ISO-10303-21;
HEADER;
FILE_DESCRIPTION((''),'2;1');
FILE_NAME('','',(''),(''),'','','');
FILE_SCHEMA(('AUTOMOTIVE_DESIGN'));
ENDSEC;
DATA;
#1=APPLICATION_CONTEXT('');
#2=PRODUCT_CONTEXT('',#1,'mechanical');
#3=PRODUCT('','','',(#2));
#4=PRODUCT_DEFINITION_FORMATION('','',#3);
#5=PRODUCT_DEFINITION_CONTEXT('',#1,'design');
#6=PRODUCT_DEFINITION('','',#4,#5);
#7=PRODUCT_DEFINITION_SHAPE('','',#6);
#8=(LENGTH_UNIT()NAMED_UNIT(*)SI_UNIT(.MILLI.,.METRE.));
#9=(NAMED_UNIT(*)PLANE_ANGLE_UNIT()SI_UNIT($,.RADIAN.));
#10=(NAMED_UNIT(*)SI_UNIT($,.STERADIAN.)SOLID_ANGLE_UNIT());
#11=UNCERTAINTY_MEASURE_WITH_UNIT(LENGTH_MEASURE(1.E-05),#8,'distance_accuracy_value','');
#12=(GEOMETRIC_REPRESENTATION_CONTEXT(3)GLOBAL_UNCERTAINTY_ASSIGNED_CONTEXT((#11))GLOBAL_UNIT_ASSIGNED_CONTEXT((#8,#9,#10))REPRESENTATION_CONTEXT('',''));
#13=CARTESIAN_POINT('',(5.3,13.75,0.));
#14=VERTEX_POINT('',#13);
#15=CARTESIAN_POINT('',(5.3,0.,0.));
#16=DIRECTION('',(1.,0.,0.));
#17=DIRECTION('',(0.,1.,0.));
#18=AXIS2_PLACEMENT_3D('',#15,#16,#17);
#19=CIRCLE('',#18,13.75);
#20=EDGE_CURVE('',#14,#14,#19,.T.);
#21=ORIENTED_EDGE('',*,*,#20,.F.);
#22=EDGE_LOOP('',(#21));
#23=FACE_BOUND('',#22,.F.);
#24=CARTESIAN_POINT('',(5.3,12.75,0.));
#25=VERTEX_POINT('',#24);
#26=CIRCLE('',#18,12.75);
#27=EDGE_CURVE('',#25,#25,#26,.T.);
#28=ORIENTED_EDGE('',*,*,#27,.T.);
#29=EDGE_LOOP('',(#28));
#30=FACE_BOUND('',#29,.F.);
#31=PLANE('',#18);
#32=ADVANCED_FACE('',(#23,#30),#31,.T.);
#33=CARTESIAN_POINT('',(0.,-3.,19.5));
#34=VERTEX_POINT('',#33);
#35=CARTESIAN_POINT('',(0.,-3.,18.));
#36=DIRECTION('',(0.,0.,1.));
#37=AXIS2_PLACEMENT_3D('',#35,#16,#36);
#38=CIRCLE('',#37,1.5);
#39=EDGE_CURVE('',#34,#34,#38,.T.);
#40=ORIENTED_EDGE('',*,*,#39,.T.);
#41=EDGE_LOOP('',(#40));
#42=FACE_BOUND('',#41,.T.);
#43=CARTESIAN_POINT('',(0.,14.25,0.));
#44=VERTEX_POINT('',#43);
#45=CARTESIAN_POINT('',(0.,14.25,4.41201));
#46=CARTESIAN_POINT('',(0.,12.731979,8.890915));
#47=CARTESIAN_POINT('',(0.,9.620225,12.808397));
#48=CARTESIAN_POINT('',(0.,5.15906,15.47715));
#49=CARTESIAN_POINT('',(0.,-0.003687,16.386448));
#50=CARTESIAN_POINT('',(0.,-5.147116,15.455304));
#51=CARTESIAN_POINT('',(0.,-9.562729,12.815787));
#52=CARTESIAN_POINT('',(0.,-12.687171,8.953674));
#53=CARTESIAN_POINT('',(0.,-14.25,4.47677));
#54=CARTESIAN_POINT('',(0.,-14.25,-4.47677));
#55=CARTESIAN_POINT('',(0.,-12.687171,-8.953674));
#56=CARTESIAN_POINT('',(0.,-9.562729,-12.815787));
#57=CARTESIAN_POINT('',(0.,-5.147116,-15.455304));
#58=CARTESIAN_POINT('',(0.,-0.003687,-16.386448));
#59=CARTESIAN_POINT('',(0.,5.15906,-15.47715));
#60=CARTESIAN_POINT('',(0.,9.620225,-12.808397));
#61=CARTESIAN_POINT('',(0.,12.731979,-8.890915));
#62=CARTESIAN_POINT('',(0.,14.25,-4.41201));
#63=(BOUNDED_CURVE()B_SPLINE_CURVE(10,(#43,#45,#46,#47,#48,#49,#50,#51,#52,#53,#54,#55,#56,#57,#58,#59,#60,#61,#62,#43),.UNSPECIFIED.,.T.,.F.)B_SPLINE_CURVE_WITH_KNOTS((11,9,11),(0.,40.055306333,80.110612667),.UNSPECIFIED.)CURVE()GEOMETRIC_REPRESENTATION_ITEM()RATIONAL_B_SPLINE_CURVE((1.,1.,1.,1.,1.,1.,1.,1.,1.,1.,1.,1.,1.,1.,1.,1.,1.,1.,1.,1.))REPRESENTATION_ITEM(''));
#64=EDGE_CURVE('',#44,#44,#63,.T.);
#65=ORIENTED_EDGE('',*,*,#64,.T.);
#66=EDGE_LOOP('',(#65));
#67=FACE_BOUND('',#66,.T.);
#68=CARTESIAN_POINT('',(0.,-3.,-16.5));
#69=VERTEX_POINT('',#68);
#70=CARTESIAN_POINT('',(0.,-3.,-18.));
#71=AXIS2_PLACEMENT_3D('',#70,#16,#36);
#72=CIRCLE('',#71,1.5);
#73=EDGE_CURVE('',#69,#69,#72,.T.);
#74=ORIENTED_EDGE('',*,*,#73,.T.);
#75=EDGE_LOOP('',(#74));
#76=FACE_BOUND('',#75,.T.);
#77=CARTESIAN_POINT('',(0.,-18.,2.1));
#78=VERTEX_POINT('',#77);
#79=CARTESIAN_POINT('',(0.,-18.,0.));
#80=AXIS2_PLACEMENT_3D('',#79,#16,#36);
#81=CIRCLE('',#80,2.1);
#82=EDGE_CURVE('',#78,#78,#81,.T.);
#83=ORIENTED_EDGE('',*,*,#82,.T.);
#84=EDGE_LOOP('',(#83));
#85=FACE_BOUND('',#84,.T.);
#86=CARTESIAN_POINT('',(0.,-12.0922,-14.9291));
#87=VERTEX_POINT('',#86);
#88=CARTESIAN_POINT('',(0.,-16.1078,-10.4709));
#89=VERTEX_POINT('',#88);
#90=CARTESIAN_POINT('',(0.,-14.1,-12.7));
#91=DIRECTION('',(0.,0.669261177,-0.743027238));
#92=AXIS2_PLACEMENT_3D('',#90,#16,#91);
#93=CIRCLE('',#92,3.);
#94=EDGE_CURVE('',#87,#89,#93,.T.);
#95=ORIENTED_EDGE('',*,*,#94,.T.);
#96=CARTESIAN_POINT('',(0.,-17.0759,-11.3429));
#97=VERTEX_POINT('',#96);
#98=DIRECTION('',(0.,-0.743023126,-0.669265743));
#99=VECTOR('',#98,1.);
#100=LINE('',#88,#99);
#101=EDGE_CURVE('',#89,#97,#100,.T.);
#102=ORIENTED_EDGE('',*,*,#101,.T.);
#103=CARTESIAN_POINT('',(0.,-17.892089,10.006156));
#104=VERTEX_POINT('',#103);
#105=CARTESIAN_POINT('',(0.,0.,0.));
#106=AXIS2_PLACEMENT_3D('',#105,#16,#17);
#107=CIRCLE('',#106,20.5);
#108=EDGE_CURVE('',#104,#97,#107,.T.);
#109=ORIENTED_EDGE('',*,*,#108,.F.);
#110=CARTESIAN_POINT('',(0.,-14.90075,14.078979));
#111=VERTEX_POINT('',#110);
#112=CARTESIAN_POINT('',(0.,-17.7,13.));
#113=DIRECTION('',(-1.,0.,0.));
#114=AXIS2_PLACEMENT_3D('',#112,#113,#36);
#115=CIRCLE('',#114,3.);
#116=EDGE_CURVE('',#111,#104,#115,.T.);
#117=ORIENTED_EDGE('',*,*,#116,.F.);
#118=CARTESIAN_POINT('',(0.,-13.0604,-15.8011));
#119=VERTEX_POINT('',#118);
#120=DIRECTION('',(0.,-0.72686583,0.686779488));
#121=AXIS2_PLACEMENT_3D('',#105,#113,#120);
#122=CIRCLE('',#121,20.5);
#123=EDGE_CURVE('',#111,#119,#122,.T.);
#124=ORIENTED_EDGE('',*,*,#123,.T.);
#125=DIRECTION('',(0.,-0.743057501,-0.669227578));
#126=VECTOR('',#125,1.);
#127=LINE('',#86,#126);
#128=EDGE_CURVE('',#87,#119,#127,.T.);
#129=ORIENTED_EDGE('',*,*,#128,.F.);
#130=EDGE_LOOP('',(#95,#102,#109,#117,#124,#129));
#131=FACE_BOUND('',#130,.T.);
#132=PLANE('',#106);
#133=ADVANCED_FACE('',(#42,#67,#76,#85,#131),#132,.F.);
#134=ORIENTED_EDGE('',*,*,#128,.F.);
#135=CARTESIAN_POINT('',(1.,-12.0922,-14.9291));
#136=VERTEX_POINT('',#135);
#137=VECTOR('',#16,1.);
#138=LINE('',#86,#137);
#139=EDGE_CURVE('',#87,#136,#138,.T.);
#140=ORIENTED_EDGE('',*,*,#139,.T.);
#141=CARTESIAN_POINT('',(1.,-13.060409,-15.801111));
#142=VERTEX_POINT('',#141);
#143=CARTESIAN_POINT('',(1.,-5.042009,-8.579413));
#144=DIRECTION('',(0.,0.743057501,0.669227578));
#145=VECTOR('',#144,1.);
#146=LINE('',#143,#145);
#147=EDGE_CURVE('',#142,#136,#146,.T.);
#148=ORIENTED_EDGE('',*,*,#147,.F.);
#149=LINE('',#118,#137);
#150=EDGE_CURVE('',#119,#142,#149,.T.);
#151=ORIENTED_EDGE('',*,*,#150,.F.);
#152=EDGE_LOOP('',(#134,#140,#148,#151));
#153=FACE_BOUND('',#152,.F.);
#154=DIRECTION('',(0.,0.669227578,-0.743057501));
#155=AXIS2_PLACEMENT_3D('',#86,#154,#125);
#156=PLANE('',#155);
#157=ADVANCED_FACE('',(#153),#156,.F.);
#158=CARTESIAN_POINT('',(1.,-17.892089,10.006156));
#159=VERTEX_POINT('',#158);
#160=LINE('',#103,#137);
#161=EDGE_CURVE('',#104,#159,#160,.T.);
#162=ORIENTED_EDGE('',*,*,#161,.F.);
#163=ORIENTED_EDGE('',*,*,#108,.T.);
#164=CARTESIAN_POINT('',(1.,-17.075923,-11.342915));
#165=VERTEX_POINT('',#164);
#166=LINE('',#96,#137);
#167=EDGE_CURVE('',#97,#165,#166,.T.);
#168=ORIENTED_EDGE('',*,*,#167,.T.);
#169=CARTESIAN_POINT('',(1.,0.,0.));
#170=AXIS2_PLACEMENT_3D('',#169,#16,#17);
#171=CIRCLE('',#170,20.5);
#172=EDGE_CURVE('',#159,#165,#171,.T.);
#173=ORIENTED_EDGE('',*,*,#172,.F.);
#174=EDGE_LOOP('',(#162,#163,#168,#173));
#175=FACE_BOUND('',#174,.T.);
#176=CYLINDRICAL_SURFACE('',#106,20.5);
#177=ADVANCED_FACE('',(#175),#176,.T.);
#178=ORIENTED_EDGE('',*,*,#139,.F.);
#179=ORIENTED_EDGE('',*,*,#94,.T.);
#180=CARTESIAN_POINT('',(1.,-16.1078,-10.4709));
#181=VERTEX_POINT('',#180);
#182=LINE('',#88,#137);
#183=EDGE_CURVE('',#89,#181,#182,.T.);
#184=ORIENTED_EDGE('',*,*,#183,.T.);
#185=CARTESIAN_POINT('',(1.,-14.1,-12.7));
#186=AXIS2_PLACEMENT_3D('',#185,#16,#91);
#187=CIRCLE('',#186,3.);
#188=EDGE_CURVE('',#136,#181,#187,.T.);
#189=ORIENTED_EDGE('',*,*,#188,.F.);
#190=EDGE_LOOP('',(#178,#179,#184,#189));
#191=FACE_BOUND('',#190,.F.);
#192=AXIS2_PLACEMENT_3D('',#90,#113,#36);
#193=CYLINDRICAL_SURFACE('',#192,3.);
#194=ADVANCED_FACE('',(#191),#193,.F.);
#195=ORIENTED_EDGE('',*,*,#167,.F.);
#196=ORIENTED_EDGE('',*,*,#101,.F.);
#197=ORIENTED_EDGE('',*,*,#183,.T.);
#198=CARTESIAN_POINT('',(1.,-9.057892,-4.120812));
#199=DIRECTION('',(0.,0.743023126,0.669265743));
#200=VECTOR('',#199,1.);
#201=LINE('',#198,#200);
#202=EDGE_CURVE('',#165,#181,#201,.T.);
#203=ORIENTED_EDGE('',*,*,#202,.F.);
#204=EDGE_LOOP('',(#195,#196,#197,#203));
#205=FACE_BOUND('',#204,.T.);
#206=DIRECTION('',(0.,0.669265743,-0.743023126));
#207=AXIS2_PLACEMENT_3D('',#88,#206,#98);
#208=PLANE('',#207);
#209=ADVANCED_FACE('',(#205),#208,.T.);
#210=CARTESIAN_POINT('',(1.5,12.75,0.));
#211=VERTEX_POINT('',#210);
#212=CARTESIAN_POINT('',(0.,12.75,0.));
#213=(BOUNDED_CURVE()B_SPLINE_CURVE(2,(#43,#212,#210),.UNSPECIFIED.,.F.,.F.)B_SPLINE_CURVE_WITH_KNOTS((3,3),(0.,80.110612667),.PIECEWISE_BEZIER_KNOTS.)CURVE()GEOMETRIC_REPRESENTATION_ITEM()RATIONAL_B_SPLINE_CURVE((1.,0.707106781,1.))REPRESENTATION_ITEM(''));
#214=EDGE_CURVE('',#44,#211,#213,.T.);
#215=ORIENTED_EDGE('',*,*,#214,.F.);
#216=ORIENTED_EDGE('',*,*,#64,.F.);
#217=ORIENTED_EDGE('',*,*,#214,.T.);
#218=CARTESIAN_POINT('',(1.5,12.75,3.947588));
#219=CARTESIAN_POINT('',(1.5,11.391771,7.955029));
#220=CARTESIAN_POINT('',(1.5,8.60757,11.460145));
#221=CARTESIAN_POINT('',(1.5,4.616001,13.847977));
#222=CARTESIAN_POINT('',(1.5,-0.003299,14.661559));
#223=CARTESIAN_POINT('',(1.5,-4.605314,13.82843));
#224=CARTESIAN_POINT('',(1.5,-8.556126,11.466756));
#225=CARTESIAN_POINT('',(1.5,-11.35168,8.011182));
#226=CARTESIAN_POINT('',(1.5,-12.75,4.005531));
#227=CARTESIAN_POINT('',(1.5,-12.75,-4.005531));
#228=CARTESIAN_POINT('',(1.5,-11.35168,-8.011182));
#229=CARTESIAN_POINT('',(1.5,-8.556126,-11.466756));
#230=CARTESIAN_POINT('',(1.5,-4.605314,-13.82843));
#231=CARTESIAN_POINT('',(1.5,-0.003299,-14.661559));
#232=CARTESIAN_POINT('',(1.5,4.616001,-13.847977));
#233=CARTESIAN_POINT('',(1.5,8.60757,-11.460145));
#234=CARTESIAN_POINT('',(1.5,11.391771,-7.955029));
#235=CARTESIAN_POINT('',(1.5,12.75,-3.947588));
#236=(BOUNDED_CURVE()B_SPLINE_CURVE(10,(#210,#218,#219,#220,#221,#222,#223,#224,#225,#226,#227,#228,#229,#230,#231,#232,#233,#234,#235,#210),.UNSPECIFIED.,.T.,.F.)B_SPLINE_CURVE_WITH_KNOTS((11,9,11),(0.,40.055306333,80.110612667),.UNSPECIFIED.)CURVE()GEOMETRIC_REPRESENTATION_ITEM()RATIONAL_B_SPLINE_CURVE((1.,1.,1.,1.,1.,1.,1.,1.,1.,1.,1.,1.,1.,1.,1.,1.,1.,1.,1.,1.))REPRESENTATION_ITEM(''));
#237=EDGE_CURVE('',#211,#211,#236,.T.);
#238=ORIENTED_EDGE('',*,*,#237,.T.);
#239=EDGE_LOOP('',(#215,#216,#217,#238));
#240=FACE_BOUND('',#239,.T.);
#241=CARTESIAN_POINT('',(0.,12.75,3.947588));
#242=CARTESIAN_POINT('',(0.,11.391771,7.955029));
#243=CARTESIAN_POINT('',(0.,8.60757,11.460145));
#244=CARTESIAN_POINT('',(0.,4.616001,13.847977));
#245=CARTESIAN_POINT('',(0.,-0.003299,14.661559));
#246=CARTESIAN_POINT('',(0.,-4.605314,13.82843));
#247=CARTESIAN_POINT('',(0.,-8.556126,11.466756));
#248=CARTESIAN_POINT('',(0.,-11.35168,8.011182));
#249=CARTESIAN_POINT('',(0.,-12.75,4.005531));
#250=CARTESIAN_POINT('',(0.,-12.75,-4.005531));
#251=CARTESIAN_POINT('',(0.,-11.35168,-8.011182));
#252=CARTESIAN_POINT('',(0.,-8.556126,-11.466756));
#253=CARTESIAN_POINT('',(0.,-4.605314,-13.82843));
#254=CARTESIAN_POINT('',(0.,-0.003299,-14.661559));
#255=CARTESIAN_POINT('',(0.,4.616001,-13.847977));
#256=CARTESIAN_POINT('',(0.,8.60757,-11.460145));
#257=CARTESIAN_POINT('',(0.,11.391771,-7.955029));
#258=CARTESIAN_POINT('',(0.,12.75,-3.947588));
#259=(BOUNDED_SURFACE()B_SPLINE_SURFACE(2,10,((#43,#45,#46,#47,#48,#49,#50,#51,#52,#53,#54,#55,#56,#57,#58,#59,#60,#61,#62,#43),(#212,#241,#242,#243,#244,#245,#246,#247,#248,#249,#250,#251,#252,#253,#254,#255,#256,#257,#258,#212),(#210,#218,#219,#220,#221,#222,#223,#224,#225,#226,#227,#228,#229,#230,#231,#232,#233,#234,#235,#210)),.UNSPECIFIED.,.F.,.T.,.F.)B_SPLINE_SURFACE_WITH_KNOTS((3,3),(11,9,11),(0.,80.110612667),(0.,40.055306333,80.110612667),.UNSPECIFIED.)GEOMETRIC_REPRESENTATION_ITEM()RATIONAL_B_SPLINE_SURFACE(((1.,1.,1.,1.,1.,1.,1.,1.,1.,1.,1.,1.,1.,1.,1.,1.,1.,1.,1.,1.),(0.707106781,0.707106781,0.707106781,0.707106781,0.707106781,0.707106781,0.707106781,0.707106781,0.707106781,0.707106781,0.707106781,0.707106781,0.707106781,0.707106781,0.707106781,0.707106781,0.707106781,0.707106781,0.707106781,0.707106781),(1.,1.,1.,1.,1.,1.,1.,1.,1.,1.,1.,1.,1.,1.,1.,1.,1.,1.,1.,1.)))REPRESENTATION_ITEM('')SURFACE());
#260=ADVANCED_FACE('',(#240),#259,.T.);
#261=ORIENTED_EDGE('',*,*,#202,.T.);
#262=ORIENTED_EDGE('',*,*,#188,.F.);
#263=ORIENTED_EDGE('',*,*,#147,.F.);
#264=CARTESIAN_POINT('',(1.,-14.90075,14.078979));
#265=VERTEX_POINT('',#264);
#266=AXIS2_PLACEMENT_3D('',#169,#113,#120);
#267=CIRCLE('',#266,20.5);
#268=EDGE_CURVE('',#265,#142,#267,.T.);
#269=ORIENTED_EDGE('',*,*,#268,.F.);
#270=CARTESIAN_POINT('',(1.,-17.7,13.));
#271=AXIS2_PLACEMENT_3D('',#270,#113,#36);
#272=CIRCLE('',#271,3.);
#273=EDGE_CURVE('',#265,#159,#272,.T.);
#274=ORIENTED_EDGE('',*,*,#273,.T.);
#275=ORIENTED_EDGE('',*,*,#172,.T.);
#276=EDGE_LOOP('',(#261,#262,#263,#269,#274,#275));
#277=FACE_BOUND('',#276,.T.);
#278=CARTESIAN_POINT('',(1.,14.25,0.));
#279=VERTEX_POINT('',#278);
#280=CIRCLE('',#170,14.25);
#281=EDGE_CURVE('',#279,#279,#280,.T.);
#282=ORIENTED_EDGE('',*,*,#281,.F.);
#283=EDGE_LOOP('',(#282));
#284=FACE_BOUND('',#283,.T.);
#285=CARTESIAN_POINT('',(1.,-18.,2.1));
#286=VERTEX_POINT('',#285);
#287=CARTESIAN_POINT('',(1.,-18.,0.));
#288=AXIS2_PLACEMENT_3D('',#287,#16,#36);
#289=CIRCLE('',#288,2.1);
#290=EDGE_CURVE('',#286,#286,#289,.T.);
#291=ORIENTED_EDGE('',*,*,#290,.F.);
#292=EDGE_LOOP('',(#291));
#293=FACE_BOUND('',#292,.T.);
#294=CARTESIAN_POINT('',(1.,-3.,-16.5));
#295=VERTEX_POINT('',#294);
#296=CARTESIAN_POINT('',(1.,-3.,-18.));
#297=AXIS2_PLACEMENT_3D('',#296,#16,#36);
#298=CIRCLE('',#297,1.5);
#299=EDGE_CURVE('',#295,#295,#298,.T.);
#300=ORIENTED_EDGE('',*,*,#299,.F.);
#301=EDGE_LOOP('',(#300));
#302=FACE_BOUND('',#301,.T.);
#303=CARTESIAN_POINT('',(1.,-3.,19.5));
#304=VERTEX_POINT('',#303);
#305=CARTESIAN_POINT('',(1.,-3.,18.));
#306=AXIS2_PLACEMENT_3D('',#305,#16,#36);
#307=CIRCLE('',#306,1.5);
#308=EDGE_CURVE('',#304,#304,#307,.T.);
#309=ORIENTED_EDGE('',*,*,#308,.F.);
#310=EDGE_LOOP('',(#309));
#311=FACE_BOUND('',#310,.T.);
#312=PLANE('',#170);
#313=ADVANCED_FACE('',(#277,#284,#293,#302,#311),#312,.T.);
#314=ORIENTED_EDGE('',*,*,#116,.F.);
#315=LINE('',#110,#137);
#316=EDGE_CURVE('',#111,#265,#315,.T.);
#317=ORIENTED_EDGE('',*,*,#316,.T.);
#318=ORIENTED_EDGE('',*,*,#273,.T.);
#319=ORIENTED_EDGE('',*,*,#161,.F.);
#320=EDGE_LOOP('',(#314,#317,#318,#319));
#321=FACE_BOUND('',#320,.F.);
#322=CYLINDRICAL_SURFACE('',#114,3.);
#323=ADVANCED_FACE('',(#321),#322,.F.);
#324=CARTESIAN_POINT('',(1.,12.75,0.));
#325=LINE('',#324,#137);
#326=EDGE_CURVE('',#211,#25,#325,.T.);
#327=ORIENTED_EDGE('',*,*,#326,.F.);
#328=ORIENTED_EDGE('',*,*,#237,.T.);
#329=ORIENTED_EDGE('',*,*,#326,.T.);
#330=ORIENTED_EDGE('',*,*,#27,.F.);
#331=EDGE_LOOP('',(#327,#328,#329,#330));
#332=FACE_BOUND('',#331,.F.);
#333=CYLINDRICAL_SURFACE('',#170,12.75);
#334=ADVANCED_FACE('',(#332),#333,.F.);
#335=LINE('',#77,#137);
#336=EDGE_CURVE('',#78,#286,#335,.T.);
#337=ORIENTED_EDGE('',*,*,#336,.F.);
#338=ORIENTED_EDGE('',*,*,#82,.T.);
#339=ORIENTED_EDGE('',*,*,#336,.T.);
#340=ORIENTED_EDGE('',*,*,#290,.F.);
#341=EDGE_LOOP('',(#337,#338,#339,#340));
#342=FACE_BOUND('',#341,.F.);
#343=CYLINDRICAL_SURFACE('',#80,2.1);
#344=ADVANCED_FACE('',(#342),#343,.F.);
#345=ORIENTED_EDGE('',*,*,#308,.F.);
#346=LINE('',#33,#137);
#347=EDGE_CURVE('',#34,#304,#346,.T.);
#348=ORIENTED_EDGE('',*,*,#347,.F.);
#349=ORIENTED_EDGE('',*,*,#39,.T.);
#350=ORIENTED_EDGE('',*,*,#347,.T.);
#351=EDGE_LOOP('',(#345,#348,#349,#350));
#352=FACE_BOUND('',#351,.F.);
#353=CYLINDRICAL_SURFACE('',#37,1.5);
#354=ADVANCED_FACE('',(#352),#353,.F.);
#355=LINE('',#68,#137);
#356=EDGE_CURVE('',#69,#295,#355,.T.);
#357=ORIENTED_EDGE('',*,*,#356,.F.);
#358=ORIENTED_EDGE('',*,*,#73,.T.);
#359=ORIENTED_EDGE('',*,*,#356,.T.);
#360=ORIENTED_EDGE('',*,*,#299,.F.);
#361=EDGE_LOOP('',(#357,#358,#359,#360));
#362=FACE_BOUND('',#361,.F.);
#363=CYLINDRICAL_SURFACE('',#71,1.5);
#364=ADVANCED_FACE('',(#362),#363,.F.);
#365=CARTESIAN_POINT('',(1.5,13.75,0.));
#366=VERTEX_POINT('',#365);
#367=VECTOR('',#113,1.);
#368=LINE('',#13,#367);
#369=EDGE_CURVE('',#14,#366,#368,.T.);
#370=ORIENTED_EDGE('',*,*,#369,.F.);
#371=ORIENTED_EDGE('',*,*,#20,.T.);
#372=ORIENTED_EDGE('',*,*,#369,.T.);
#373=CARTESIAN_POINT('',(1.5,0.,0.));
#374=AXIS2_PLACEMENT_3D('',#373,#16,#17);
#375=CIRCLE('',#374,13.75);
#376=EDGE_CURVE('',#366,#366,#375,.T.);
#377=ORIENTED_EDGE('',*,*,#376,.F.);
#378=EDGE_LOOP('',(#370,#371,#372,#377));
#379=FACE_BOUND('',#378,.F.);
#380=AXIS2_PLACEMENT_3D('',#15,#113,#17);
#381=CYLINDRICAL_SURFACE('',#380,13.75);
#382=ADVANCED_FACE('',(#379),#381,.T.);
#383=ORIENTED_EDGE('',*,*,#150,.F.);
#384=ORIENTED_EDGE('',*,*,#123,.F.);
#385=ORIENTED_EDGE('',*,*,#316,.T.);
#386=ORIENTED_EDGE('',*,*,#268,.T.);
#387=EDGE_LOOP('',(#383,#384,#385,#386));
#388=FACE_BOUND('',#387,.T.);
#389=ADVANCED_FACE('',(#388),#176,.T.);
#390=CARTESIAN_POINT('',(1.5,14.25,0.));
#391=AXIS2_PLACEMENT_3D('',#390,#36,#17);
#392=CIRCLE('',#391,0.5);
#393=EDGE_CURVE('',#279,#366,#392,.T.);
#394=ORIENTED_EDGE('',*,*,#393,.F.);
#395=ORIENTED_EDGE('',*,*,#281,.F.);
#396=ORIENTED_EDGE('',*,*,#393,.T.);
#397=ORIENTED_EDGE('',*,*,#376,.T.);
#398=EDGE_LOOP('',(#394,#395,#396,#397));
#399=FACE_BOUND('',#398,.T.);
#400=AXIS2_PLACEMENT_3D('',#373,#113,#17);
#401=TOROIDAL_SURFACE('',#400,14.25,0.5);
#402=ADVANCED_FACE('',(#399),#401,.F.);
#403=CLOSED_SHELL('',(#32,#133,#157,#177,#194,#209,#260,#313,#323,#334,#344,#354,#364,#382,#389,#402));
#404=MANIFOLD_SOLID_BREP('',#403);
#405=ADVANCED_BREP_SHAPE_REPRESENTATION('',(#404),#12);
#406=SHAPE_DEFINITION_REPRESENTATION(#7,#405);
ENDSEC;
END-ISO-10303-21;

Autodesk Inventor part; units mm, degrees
ref_plane "YZ Plane" through (0, 0, 0) normal (1, 0, 0) x (0, 1, 0)
ref_plane "XZ Plane" through (0, 0, 0) normal (0, 1, 0) x (-1, 0, 0)
ref_plane "XY Plane" through (0, 0, 0) normal (0, 0, 1) x (1, 0, 0)
sketch "Sketch1" plane through (0, 0, 0) normal (0, 0, 1) x (1, 0, 0)
  line L0 (0, 20.5) -> (1, 20.5)
  line L1 (1, 20.5) -> (1, 12.75)
  line L2 (1, 12.75) -> (0, 12.75)
  line L3 (0, 12.75) -> (0, 20.5)
  line L4 (1, 12.75) -> (5.3, 12.75)
  line L5 (5.3, 12.75) -> (5.3, 13.75)
  line L6 (5.3, 13.75) -> (1, 13.75)
  line L7 (1, 13.75) -> (1, 12.75)
  line L8 (0, 0) -> (7.1603, 0)
  dimension "d0" = 41
  dimension "d2" = 27.5
  dimension "d3" = 1
  dimension "d4" = 5.3
revolve "Revolution1" add sketch "Sketch1" angle 360 about axis through (0, 0, 0) along (1, 0, 0)
fillet "Fillet1" radius 1.5 1 edges at (0, -12.75, 0)
fillet "Fillet1" radius 0.5 1 edges at (1, -13.75, 0)
sketch "Sketch2" plane through (0, 0, 0) normal (-1, 0, 0) x (0, 0, 1)
  line L0 (-18, -3) -> (18, -3) construction
  point P0 (0, 0)
  point P1 (0, -3)
  dimension "d8" = 36
  dimension "d9" = 3
hole "Hole1" at (0, -3, 18) at (0, -3, -18) direction (1, 0, 0) diameter 3 end through all
sketch "Sketch3" plane through (0, 0, 0) normal (-1, 0, 0) x (0, 0, 1)
  circle A0 centre (13, -17.7) radius 3
  circle A1 centre (-12.7, -14.1) radius 3
  line L0 (0, 0) -> (-12.7, -14.1) construction
  line L1 (-10.4709, -16.1078) -> (-11.3429, -17.0759)
  circle A2 centre (0, 0) radius 20.5 projected
  line L2 (-14.9291, -12.0922) -> (-15.8011, -13.0604)
  dimension "d17" = 13
  dimension "d18" = 17.7
  dimension "d19" = 12.7
  dimension "d20" = 14.1
  dimension "d21" = 6
  dimension "d22" = 6
extrude "Extrusion1" cut sketch "Sketch3" against normal through all contours A0 A2 | A2 A0 | A2 A1 L1 | L2 A1 A2 | A1 A2 | A1 A2
sketch "Sketch4" plane through (0, 0, 0) normal (1, 0, 0) x (0, 1, 0)
  line L0 (0, 0) -> (-18, 0) construction
  dimension "d25" = 18
hole "Hole2" at (0, -18, 0) direction (1, 0, 0) diameter 4.2 end through all
properties part number "403-02" material "Aluminum-6061"
